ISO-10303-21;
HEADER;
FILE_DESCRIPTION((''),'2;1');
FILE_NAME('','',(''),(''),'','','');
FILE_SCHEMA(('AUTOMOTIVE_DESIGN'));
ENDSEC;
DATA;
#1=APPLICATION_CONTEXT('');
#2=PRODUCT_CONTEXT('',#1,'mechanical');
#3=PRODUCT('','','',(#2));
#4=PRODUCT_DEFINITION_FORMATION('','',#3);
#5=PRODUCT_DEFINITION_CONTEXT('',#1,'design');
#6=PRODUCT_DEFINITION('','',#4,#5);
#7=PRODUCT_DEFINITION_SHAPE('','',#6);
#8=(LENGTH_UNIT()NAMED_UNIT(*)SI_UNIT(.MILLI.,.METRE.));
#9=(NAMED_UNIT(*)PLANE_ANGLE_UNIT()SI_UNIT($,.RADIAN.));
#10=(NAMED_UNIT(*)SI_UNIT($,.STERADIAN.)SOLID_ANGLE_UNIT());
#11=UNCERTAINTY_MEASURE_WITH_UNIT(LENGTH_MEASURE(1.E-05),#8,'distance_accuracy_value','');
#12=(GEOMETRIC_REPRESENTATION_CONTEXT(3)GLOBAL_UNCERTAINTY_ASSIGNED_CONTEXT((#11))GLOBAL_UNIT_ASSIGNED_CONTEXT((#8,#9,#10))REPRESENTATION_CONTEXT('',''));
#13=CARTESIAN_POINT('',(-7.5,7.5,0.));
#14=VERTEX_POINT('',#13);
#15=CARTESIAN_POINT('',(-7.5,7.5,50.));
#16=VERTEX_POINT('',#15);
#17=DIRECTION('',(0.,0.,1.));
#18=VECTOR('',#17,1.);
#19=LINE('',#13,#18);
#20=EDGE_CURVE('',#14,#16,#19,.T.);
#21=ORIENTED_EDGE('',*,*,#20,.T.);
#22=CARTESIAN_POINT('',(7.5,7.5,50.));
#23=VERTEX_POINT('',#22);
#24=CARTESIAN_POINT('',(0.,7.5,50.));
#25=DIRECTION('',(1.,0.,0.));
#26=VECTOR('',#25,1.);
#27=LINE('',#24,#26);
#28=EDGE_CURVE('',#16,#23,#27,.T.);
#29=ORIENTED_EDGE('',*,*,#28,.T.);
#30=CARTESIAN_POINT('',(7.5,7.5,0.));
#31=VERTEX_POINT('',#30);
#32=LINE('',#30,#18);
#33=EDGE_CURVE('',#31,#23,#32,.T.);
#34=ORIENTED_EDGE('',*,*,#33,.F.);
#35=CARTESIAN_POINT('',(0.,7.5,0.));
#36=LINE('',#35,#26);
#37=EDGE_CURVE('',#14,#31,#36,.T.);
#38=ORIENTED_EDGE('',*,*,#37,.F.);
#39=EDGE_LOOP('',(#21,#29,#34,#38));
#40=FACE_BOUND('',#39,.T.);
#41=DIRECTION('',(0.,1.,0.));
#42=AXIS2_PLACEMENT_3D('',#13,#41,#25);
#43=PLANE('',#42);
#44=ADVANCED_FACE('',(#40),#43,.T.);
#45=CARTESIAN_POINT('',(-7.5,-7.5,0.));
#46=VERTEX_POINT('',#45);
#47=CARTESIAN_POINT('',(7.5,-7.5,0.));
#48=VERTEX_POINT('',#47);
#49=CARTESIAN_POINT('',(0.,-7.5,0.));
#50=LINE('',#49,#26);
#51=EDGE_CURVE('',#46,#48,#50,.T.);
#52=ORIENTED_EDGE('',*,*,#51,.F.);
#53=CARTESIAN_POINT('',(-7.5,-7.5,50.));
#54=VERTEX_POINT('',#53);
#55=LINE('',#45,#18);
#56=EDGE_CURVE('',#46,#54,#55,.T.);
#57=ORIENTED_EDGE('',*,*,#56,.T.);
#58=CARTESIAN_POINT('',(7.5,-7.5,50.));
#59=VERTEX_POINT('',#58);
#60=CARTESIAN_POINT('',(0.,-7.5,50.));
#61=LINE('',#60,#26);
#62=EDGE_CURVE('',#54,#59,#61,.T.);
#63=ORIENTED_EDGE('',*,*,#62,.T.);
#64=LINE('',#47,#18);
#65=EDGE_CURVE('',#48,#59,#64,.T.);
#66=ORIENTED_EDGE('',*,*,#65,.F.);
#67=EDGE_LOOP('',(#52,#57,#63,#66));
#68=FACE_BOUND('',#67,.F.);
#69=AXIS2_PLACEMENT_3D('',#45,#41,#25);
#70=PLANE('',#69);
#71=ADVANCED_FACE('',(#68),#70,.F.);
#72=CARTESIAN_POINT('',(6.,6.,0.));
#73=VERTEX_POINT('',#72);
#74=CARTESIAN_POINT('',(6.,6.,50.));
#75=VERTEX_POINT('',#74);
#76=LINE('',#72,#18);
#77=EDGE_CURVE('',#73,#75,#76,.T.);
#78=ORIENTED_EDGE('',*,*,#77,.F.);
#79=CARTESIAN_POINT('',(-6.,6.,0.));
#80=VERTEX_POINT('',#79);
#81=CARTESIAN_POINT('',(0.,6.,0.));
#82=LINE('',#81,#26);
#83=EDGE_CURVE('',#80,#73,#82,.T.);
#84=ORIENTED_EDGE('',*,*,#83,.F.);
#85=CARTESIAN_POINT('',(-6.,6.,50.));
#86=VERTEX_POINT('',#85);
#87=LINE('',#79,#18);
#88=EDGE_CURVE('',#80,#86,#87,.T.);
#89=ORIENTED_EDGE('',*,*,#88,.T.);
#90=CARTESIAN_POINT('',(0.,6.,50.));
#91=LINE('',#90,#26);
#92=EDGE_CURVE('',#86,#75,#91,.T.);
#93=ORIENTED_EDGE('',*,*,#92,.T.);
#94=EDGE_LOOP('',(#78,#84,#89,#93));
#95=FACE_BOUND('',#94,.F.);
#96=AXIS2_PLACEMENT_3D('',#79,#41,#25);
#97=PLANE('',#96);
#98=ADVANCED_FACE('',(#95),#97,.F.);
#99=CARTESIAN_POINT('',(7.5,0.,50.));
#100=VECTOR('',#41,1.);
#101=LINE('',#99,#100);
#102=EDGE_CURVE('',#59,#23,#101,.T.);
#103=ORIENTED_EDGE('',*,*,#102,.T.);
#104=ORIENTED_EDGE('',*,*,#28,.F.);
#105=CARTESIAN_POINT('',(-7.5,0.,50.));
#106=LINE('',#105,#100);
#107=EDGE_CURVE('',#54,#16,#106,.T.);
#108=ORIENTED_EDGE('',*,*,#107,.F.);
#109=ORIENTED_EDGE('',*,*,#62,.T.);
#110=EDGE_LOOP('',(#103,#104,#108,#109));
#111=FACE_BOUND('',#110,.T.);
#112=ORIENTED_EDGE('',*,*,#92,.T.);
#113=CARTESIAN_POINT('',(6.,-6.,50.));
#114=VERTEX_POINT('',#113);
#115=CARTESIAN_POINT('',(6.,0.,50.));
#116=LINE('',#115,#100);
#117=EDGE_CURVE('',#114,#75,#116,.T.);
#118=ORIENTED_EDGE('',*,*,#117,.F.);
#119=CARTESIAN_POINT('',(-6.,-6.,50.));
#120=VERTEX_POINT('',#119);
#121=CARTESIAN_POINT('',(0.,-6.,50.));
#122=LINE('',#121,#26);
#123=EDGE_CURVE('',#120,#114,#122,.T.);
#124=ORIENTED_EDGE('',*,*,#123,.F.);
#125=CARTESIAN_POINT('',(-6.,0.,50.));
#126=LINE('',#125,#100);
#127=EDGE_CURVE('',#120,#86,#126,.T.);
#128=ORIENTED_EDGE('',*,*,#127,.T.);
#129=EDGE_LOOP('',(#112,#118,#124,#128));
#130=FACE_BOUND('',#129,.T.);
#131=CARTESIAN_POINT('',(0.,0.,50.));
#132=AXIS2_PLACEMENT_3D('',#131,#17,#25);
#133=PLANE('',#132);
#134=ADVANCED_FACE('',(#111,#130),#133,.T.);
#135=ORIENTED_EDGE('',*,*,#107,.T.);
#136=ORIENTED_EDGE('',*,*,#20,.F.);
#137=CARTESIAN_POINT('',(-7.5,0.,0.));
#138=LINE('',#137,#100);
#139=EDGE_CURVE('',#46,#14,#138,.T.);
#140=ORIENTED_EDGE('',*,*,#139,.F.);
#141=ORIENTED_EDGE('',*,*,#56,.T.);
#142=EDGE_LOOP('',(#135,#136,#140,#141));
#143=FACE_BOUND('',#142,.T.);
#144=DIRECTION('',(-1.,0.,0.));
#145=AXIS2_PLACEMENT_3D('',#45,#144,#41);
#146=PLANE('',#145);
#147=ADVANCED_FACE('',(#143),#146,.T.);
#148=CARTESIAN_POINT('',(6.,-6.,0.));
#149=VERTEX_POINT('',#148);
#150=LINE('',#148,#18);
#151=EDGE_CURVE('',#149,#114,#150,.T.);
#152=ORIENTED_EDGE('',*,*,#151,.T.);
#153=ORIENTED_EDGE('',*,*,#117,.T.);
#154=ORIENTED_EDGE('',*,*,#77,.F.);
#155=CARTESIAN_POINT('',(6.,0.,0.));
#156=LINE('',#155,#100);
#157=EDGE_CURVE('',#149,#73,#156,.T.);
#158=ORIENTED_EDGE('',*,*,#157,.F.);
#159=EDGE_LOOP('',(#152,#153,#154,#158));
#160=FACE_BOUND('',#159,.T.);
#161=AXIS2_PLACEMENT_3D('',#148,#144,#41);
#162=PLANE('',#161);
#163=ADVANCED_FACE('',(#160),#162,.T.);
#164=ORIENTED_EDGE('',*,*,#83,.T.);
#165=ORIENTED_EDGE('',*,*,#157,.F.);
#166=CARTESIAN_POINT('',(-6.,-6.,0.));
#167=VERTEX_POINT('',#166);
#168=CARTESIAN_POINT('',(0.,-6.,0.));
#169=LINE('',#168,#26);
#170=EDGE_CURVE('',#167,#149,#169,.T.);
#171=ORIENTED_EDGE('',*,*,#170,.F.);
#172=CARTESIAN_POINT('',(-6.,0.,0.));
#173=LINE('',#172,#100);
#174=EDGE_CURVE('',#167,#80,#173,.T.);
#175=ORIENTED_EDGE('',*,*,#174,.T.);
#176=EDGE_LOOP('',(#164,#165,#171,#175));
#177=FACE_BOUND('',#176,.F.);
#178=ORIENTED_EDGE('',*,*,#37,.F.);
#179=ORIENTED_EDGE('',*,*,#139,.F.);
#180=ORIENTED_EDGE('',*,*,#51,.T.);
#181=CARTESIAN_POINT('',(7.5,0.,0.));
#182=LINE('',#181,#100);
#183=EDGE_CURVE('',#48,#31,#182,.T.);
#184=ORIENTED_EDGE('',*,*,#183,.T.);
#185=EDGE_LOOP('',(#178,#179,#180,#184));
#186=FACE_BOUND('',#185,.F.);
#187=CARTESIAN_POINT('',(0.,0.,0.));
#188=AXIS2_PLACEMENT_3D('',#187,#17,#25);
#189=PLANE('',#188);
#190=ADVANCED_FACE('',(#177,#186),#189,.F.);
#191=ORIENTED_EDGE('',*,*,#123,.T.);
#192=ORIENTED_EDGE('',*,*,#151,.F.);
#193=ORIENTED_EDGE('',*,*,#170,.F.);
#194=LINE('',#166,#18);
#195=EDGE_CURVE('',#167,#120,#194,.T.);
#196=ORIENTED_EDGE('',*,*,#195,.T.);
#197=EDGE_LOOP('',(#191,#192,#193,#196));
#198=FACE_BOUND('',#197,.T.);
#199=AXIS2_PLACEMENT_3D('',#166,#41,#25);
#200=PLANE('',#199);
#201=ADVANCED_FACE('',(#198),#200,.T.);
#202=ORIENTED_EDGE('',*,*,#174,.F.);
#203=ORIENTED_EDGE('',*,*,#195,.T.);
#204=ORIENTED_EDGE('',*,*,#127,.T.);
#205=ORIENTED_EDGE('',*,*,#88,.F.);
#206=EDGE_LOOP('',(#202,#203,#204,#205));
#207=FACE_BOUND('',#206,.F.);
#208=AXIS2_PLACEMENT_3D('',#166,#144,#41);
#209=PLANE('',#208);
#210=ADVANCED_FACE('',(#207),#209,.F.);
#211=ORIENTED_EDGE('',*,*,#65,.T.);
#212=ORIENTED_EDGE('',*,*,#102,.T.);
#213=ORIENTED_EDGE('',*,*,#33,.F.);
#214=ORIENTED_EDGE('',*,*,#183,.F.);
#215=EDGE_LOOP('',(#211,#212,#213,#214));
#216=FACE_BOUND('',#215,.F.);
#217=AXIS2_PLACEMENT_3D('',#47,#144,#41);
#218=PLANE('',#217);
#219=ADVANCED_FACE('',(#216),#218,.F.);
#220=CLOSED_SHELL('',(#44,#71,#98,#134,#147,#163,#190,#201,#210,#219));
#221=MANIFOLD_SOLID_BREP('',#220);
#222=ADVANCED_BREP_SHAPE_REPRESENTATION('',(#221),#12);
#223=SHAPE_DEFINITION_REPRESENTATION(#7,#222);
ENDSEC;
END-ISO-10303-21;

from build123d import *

# Parameters (mm, degrees)
SKETCH_W   = 15
SKETCH_H   = 15
SKETCH_W_2 = 12
SKETCH_H_2 = 12
PAD_DEPTH  = 50


with BuildPart() as part:
    # Sketch → Pad (new body)
    with BuildSketch(Plane.XY):
        Rectangle(SKETCH_W, SKETCH_H)
        Rectangle(SKETCH_W_2, SKETCH_H_2, mode=Mode.SUBTRACT)
    extrude(amount=PAD_DEPTH)


solid = part.part
